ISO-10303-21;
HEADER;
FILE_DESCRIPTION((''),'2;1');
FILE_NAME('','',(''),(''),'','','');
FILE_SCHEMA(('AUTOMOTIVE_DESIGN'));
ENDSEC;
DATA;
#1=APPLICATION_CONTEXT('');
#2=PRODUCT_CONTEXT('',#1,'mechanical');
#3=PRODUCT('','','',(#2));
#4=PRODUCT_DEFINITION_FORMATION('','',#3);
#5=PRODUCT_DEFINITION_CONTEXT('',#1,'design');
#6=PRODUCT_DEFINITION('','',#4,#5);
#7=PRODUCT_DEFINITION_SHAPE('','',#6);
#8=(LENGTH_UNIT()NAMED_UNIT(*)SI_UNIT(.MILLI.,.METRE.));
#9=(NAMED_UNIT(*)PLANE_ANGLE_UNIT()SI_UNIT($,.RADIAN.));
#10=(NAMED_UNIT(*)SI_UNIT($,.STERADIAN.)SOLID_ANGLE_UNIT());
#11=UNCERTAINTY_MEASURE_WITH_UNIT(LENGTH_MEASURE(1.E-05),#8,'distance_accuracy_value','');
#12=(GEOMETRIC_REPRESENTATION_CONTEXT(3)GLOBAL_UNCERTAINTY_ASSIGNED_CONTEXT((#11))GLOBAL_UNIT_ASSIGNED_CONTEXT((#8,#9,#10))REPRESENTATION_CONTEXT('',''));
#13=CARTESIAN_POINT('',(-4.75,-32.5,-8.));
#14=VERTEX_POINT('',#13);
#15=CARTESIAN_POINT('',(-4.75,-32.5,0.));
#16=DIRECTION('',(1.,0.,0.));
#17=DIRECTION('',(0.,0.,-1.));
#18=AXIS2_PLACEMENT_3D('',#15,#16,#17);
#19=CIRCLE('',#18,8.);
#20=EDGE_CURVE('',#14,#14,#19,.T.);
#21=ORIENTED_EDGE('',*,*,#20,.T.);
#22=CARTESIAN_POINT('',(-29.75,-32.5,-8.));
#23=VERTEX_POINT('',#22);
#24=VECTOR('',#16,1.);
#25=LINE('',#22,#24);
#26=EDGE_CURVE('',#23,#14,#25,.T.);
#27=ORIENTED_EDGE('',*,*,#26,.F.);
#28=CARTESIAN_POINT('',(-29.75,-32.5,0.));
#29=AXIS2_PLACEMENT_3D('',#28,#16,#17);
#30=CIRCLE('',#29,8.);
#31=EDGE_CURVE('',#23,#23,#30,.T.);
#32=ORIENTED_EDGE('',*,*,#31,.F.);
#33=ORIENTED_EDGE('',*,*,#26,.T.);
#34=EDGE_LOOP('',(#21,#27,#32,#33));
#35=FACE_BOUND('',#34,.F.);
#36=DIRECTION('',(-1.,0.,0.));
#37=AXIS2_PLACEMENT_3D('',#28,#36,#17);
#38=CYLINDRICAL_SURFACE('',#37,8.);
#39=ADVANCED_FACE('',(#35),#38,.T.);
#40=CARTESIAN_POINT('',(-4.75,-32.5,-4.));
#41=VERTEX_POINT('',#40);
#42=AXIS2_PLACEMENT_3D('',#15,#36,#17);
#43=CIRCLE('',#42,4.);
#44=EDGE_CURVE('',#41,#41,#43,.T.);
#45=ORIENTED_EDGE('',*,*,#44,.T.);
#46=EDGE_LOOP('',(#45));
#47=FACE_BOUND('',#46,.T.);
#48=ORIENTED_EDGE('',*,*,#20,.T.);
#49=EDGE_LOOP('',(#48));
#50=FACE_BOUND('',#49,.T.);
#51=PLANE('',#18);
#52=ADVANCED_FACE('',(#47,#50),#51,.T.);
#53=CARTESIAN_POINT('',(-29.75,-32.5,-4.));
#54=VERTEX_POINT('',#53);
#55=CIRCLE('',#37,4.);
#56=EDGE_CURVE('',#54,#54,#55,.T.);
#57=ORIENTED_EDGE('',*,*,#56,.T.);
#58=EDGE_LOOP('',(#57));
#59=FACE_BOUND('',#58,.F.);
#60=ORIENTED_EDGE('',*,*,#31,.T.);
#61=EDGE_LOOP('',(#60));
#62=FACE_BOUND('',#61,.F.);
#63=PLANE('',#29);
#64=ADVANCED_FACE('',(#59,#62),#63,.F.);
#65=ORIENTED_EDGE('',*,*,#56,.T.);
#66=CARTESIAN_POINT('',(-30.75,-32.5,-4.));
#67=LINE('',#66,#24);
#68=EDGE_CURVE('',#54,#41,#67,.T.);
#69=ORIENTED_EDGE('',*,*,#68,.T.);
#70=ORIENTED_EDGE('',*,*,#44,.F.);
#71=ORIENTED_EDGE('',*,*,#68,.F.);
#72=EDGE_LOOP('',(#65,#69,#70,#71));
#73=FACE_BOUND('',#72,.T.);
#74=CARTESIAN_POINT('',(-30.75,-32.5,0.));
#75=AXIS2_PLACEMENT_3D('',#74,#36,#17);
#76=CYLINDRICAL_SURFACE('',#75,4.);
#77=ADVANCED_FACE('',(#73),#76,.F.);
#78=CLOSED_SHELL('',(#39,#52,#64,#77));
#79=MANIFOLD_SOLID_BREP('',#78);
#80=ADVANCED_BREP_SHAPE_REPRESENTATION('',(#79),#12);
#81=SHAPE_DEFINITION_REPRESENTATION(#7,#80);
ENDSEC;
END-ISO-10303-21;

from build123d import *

# Parameters (mm, degrees)
LM8UU_CEN_X_Y_INT_R           = 4
LM8UU_CEN_X_Y_INT_DEPTH       = 27
LM8UU_CEN_X_Y_INT_PITCH_ANGLE = 90
LM8UU_CEN_X_Y_EXT_R           = 8
LM8UU_CEN_X_Y_EXT_DEPTH       = 25
LM8UU_CEN_X_Y_EXT_PITCH_ANGLE = 90


with BuildPart() as lm8uu_cen_x_y_int:
    # lm8uu_cen_x_y_int → lm8uu_cen_x_y_int (new body)
    with BuildSketch(Plane.XY):
        Circle(LM8UU_CEN_X_Y_INT_R)
    extrude(amount=LM8UU_CEN_X_Y_INT_DEPTH)


with BuildPart() as lm8uu_cen_x_y_int_1:
    # lm8uu_cen_x_y_int pitch: moved
    add(lm8uu_cen_x_y_int.part.rotate(Axis((0, 0, 0), (0, 1, 0)), LM8UU_CEN_X_Y_INT_PITCH_ANGLE))


with BuildPart() as lm8uu_cen_x_y_int_2:
    # lm8uu_cen_x_y_int placement: moved
    add(lm8uu_cen_x_y_int_1.part.moved(Location((-13.5, 0, 0))))


with BuildPart() as lm8uu_cen_nx_ny:
    # lm8uu_cen_x_y_ext → lm8uu_cen_x_y_ext (new body)
    with BuildSketch(Plane.XY):
        Circle(LM8UU_CEN_X_Y_EXT_R)
    extrude(amount=LM8UU_CEN_X_Y_EXT_DEPTH)


with BuildPart() as lm8uu_cen_nx_ny_1:
    # lm8uu_cen_x_y_ext pitch: moved
    add(lm8uu_cen_nx_ny.part.rotate(Axis((0, 0, 0), (0, 1, 0)), LM8UU_CEN_X_Y_EXT_PITCH_ANGLE))


with BuildPart() as lm8uu_cen_nx_ny_2:
    # lm8uu_cen_x_y_ext placement: moved
    add(lm8uu_cen_nx_ny_1.part.moved(Location((-12.5, 0, 0))))

    # lm8uu_cen_x_y: cut lm8uu_cen_x_y_int
    add(lm8uu_cen_x_y_int_2.part, mode=Mode.SUBTRACT)


with BuildPart() as lm8uu_cen_nx_ny_3:
    # lm8uu_cen_x_y placement: moved
    add(lm8uu_cen_nx_ny_2.part.moved(Location((17.25, 32.5, 0))))


with BuildPart() as lm8uu_cen_nx_ny_4:
    # Clone031 placement: moved
    add(lm8uu_cen_nx_ny_3.part.moved(Location((-34.5, -65, 0))))


solid = lm8uu_cen_nx_ny_4.part
